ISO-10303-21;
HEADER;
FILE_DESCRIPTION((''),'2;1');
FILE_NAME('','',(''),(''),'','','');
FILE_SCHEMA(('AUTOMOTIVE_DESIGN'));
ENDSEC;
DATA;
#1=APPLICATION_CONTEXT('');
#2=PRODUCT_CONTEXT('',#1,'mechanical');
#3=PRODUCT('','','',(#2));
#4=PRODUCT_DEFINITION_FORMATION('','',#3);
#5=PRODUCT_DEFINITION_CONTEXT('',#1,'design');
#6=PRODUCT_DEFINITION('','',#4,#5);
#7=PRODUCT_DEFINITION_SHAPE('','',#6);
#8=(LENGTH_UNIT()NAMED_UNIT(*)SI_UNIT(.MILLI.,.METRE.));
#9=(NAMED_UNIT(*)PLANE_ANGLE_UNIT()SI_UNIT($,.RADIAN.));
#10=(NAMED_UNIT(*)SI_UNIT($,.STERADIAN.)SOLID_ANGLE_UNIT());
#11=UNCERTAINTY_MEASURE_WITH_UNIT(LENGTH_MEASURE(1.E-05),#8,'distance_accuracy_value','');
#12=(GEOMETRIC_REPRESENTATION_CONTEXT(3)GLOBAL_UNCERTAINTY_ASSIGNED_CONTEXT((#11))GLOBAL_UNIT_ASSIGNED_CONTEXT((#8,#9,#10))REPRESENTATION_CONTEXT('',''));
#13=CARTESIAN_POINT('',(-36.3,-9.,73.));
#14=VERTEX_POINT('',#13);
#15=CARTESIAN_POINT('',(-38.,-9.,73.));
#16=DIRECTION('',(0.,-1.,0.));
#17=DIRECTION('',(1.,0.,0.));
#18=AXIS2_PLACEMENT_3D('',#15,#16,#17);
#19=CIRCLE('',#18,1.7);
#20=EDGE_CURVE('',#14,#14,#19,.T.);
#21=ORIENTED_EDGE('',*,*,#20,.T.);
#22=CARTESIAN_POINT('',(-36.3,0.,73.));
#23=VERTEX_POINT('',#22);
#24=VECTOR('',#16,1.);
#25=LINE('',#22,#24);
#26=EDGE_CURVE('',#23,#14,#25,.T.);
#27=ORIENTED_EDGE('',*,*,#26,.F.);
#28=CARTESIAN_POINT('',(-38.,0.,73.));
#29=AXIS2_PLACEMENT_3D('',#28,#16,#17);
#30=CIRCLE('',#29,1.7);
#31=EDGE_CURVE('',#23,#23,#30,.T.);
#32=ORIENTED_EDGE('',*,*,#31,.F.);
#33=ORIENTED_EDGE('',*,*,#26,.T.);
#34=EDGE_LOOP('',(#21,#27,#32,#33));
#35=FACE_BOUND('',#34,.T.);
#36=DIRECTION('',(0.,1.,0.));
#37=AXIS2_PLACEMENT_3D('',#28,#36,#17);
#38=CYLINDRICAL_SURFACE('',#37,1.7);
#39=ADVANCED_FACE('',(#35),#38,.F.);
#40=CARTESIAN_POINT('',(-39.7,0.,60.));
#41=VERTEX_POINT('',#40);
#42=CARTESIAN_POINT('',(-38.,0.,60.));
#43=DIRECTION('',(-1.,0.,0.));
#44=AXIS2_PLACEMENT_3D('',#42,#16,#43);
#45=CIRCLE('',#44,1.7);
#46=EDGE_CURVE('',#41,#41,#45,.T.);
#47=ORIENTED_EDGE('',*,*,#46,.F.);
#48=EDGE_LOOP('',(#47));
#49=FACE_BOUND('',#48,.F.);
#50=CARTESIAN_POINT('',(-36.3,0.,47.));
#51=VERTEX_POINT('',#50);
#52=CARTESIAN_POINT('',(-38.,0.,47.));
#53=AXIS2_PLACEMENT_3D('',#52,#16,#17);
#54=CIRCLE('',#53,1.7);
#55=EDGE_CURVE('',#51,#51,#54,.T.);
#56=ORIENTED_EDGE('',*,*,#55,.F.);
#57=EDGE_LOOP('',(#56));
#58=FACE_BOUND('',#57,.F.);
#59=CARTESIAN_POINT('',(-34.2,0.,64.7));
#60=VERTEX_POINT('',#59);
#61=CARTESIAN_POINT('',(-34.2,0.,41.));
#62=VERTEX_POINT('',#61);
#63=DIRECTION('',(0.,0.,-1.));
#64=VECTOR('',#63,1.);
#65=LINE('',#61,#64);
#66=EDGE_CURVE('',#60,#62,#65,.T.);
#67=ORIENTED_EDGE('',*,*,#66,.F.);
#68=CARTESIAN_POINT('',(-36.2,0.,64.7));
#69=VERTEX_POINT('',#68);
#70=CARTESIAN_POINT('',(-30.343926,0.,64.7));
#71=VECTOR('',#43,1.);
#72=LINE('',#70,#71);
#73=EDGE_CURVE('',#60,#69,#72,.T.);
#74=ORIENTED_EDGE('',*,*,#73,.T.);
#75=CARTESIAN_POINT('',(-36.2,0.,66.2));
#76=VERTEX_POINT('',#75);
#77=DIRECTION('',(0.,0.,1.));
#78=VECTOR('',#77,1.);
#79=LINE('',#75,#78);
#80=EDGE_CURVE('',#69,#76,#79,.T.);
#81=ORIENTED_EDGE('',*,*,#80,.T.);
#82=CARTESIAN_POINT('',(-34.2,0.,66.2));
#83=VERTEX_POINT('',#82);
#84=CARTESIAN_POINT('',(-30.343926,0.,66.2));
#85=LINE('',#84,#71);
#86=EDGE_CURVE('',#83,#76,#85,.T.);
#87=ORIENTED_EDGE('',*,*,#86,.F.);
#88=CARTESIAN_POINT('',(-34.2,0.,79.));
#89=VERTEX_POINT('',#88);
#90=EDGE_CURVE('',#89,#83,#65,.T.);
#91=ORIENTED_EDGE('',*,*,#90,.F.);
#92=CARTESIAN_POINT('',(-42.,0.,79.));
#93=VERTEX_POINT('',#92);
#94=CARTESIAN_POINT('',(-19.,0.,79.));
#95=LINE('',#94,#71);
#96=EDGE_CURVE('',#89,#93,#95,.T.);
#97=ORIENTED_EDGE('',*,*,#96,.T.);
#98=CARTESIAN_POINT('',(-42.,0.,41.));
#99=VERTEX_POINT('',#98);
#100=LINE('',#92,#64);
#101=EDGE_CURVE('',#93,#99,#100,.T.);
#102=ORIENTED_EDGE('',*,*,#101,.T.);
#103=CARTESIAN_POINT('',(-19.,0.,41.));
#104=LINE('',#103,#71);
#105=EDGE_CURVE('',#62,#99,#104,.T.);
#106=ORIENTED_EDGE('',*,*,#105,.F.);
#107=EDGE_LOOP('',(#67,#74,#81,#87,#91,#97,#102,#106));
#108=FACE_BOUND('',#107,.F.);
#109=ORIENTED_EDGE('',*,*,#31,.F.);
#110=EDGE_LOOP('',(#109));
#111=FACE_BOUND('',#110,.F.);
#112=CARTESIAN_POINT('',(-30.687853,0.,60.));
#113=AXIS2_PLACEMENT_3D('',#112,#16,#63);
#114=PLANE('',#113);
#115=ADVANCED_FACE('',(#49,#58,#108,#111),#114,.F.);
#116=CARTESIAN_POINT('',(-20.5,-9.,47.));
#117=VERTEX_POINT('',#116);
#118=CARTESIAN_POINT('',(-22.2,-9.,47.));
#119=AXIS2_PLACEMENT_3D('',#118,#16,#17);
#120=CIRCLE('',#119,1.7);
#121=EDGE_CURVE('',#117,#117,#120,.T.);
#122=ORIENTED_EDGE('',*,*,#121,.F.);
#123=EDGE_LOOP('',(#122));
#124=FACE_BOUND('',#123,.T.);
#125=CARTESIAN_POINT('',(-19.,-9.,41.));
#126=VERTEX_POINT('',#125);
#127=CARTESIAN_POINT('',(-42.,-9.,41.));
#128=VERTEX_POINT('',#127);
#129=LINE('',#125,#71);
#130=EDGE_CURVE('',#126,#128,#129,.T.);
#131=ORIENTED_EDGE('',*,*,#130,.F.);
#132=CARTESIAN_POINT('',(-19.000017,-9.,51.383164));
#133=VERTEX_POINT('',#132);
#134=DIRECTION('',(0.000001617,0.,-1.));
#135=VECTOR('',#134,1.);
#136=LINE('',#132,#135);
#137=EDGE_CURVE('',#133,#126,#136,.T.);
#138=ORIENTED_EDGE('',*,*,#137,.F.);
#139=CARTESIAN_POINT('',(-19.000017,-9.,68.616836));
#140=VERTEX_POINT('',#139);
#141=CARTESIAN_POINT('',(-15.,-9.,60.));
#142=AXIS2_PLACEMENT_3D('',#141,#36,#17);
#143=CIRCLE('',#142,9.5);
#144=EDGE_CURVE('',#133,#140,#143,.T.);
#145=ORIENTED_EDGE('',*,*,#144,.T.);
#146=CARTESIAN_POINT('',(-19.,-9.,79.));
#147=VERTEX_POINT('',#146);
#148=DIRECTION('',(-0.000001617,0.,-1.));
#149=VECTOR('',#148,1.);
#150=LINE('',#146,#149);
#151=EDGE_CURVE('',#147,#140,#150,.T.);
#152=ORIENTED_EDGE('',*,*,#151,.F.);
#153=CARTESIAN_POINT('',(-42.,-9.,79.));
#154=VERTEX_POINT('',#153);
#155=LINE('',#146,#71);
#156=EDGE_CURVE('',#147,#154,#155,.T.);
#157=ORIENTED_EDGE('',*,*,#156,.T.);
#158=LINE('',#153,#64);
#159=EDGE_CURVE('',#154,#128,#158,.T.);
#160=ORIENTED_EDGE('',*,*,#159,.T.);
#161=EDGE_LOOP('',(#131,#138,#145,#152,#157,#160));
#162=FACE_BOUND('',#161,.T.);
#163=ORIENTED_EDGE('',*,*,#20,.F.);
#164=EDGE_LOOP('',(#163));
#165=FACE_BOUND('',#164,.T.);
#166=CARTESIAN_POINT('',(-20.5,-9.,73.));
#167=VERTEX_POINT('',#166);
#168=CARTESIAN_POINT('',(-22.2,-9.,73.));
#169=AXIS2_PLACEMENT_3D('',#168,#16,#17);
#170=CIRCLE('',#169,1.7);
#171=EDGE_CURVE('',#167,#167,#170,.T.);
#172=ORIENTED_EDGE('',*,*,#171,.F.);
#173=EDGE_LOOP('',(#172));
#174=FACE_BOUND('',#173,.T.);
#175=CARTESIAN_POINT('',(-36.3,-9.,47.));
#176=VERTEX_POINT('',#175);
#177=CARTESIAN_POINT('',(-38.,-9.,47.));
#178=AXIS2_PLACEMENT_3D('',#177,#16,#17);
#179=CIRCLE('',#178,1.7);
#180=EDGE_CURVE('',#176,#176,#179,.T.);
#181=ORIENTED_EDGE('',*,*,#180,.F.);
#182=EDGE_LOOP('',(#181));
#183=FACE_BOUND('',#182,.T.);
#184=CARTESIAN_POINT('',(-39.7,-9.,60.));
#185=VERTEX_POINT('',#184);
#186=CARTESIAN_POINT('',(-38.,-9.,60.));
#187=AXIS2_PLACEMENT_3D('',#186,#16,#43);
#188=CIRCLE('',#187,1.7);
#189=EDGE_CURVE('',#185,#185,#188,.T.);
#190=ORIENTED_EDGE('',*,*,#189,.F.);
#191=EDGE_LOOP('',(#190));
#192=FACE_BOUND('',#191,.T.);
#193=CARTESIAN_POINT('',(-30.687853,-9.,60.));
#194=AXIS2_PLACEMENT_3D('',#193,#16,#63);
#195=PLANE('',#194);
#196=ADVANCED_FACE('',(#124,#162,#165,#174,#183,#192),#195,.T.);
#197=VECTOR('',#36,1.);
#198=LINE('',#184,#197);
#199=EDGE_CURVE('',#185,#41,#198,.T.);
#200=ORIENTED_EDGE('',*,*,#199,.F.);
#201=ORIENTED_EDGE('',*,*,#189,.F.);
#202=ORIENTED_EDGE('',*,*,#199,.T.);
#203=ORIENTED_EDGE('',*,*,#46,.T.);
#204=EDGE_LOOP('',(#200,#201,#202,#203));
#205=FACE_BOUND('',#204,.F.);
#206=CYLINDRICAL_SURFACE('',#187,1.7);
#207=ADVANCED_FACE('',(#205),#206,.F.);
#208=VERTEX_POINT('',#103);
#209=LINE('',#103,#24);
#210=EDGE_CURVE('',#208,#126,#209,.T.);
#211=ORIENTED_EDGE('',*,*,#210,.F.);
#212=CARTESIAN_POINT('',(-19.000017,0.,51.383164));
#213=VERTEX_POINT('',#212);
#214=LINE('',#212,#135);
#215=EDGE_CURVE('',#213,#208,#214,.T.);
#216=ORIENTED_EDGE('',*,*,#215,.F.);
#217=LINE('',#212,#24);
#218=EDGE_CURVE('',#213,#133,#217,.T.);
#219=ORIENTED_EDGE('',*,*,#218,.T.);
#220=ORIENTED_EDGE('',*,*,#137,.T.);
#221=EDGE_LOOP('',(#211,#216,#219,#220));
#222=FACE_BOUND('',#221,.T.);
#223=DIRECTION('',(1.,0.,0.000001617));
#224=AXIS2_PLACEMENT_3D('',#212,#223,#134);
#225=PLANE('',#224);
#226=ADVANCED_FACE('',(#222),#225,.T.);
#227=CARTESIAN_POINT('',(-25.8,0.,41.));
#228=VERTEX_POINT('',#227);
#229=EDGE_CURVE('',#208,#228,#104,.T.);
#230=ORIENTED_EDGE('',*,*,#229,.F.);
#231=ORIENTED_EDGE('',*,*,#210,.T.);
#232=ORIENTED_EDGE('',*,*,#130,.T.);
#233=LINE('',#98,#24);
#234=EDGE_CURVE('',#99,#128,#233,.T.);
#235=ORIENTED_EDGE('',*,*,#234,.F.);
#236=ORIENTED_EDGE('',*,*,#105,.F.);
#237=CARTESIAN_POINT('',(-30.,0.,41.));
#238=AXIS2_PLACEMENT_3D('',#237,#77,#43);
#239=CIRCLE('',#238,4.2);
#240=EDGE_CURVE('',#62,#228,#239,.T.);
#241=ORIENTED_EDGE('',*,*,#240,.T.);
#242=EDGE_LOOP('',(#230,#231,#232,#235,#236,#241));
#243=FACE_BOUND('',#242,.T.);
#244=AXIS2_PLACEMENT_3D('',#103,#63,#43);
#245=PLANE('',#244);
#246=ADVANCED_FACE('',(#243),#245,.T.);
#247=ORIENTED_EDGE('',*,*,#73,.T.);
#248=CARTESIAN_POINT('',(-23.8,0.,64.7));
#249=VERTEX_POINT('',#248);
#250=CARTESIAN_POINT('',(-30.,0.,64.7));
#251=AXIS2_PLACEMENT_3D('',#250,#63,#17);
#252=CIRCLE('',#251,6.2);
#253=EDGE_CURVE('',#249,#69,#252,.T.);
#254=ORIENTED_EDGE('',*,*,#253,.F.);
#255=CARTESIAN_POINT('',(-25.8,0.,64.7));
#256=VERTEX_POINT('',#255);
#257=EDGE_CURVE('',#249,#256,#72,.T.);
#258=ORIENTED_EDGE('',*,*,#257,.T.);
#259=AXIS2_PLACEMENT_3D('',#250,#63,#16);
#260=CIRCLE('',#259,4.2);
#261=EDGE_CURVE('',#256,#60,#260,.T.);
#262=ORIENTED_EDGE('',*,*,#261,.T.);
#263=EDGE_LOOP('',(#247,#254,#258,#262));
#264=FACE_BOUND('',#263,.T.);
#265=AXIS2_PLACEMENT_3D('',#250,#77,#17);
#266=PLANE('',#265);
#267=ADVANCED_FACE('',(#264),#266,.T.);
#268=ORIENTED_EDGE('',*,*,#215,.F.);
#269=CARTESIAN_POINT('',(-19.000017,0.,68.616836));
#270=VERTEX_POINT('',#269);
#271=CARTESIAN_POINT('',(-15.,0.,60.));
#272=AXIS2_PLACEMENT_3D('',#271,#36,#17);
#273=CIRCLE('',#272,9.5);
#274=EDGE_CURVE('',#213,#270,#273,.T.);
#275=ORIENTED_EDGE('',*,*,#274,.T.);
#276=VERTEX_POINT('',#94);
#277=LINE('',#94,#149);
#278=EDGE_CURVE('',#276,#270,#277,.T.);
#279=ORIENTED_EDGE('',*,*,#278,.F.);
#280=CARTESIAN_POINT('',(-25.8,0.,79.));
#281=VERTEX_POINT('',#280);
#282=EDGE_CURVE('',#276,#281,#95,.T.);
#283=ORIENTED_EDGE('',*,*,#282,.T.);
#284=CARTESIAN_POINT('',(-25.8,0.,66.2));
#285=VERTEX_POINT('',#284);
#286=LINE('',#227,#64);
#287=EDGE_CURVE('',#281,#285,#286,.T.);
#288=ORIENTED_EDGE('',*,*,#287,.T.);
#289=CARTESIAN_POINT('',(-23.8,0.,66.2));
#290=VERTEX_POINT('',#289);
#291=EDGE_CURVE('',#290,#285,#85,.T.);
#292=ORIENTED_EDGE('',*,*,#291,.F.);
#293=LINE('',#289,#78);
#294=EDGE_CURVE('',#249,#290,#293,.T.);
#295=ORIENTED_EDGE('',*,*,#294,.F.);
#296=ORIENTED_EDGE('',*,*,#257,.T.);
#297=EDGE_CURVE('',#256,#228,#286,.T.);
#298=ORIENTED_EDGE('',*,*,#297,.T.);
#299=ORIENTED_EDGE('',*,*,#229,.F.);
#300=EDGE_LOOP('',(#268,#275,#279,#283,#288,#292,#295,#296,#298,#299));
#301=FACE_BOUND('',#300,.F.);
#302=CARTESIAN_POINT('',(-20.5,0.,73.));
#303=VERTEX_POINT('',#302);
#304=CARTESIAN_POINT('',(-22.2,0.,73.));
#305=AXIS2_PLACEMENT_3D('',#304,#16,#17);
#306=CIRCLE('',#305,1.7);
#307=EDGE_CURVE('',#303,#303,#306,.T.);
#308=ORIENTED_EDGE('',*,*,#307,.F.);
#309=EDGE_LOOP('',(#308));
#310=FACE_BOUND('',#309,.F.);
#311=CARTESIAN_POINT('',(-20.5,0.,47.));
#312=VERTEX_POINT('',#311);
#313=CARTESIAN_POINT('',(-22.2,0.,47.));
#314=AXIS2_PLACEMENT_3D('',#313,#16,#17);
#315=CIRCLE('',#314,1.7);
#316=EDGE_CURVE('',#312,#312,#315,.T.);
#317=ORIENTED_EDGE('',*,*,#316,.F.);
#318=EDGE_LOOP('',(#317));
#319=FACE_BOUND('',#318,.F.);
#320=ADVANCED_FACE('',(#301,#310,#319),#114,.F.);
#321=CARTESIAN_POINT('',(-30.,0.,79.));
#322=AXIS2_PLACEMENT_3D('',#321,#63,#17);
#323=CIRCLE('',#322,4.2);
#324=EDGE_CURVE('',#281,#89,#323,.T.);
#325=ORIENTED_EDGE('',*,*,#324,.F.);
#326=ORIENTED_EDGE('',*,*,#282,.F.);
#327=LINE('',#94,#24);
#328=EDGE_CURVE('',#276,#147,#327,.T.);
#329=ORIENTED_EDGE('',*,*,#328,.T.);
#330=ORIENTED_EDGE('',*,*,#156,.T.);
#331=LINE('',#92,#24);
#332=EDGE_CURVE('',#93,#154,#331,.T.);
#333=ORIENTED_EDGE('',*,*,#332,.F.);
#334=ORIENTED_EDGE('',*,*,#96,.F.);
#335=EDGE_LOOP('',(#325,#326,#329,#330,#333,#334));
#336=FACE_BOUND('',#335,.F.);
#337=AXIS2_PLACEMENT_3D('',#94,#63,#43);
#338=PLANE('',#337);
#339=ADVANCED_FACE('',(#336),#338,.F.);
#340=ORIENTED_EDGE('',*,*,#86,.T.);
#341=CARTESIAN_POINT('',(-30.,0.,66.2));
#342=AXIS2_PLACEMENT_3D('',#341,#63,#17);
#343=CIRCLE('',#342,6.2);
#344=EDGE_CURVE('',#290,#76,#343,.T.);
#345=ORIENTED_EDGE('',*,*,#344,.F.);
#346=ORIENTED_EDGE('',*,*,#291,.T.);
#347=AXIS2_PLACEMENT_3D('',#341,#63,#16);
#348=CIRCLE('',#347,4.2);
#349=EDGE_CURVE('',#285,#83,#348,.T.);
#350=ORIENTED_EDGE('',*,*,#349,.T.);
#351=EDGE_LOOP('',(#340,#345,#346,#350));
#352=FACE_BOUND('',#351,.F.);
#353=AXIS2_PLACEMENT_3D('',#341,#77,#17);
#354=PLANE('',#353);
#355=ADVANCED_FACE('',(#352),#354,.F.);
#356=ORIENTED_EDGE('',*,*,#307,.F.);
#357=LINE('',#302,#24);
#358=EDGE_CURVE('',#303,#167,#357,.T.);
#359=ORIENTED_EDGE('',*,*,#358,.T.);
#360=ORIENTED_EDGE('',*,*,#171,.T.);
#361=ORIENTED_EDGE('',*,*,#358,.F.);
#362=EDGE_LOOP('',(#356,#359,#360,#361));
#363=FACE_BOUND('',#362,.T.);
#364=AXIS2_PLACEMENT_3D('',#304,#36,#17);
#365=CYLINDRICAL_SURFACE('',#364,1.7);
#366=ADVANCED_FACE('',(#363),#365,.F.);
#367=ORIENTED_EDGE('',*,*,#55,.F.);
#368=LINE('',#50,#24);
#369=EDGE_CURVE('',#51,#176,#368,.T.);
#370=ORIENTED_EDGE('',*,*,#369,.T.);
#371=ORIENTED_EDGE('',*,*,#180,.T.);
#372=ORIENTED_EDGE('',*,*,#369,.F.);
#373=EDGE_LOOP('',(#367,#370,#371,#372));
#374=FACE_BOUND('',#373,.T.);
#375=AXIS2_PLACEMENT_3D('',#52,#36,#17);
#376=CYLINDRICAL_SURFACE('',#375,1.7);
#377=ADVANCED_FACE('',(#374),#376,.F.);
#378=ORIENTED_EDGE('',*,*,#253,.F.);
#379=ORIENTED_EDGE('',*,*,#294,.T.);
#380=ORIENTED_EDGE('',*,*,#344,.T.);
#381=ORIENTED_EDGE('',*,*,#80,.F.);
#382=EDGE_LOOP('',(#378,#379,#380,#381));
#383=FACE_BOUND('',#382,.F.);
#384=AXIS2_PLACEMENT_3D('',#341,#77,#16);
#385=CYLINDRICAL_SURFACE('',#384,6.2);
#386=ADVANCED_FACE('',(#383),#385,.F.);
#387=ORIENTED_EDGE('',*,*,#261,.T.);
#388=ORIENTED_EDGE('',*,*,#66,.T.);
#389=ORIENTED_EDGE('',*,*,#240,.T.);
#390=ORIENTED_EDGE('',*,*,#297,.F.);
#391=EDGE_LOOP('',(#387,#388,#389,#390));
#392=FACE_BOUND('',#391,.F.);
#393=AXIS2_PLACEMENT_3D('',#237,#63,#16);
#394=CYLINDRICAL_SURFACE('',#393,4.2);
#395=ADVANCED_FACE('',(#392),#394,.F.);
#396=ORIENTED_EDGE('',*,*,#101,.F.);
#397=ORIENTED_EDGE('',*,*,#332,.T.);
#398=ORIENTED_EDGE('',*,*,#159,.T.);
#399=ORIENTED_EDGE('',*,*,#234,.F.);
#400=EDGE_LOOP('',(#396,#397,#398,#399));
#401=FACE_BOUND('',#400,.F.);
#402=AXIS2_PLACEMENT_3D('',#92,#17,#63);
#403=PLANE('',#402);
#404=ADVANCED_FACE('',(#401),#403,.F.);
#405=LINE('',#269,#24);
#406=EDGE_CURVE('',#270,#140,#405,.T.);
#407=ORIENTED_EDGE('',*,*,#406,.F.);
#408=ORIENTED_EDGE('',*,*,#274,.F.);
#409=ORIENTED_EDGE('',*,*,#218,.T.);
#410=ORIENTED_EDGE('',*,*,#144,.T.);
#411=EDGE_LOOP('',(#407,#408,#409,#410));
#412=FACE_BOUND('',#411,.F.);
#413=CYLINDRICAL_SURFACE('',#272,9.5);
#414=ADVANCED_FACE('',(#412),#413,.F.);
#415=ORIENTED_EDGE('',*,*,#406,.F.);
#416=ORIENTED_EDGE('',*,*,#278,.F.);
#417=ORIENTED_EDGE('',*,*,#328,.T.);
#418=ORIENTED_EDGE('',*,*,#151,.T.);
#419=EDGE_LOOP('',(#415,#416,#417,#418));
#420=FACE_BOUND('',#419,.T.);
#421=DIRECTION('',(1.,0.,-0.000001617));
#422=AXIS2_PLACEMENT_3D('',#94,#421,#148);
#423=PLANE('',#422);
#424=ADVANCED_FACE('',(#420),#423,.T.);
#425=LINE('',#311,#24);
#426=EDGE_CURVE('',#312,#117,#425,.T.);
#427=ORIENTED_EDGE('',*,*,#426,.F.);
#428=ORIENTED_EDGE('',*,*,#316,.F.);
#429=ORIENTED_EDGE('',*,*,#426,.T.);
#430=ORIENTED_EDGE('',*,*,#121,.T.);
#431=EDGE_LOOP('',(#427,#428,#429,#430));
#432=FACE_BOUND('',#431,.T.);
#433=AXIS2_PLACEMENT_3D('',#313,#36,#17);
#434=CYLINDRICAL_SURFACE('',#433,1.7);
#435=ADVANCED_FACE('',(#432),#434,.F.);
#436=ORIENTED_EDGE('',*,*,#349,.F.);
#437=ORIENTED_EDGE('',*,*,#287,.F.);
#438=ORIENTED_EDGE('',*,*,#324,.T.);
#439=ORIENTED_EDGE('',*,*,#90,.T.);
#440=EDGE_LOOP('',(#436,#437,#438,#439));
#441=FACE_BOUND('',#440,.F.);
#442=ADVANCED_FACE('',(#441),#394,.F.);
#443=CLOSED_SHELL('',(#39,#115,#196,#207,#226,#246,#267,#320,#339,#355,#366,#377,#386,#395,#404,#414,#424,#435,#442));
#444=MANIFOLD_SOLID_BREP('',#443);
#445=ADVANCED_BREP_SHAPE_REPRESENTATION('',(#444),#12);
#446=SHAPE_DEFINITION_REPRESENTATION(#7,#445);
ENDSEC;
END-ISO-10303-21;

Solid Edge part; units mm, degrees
sketch "Sketch1" plane through (0, 0, 0) normal (0, -1, 0) x (1, 0, 0)
  circle A0 centre (-38, 73) radius 1.7
  circle A1 centre (-22.2, 73) radius 1.7
  circle A2 centre (-22.2, 47) radius 1.7
  circle A3 centre (-38, 47) radius 1.7
  line L0 (-42, 79) -> (-42, 41)
  line L1 (-19, 41) -> (-42, 41)
  line L2 (-19, 51.3832) -> (-19, 41)
  line L3 (-19, 79) -> (-19, 68.6168)
  line L4 (-19, 79) -> (-42, 79)
  arc A4 (-19, 51.3832) -> (-19, 68.6168) centre (-15, 60) cw
extrude "Protrusion1" add sketch "Sketch1" along normal blind 9
sketch "Sketch2" plane through (-29.9, -4, 41) normal (0, 0, -1) x (0, -1, 0)
  circle A0 centre (-4, 0.1) radius 4.2
extrude "Cutout1" cut sketch "Sketch2" against normal through all
sketch "Sketch3" plane through (-29.9, -4, 66.2) normal (0, 0, 1) x (0, -1, 0)
  circle A0 centre (-4, -0.1) radius 6.2
extrude "ExtrudedCutout_2" cut sketch "Sketch3" against normal blind 1.5
sketch "Sketch4" plane through (-29.9, -9, 61.3992) normal (0, -1, 0) x (-1, 0, 0)
  circle A0 centre (8.1, 1.3992) radius 1.7
extrude "Cutout2" cut sketch "Sketch4" against normal through all
